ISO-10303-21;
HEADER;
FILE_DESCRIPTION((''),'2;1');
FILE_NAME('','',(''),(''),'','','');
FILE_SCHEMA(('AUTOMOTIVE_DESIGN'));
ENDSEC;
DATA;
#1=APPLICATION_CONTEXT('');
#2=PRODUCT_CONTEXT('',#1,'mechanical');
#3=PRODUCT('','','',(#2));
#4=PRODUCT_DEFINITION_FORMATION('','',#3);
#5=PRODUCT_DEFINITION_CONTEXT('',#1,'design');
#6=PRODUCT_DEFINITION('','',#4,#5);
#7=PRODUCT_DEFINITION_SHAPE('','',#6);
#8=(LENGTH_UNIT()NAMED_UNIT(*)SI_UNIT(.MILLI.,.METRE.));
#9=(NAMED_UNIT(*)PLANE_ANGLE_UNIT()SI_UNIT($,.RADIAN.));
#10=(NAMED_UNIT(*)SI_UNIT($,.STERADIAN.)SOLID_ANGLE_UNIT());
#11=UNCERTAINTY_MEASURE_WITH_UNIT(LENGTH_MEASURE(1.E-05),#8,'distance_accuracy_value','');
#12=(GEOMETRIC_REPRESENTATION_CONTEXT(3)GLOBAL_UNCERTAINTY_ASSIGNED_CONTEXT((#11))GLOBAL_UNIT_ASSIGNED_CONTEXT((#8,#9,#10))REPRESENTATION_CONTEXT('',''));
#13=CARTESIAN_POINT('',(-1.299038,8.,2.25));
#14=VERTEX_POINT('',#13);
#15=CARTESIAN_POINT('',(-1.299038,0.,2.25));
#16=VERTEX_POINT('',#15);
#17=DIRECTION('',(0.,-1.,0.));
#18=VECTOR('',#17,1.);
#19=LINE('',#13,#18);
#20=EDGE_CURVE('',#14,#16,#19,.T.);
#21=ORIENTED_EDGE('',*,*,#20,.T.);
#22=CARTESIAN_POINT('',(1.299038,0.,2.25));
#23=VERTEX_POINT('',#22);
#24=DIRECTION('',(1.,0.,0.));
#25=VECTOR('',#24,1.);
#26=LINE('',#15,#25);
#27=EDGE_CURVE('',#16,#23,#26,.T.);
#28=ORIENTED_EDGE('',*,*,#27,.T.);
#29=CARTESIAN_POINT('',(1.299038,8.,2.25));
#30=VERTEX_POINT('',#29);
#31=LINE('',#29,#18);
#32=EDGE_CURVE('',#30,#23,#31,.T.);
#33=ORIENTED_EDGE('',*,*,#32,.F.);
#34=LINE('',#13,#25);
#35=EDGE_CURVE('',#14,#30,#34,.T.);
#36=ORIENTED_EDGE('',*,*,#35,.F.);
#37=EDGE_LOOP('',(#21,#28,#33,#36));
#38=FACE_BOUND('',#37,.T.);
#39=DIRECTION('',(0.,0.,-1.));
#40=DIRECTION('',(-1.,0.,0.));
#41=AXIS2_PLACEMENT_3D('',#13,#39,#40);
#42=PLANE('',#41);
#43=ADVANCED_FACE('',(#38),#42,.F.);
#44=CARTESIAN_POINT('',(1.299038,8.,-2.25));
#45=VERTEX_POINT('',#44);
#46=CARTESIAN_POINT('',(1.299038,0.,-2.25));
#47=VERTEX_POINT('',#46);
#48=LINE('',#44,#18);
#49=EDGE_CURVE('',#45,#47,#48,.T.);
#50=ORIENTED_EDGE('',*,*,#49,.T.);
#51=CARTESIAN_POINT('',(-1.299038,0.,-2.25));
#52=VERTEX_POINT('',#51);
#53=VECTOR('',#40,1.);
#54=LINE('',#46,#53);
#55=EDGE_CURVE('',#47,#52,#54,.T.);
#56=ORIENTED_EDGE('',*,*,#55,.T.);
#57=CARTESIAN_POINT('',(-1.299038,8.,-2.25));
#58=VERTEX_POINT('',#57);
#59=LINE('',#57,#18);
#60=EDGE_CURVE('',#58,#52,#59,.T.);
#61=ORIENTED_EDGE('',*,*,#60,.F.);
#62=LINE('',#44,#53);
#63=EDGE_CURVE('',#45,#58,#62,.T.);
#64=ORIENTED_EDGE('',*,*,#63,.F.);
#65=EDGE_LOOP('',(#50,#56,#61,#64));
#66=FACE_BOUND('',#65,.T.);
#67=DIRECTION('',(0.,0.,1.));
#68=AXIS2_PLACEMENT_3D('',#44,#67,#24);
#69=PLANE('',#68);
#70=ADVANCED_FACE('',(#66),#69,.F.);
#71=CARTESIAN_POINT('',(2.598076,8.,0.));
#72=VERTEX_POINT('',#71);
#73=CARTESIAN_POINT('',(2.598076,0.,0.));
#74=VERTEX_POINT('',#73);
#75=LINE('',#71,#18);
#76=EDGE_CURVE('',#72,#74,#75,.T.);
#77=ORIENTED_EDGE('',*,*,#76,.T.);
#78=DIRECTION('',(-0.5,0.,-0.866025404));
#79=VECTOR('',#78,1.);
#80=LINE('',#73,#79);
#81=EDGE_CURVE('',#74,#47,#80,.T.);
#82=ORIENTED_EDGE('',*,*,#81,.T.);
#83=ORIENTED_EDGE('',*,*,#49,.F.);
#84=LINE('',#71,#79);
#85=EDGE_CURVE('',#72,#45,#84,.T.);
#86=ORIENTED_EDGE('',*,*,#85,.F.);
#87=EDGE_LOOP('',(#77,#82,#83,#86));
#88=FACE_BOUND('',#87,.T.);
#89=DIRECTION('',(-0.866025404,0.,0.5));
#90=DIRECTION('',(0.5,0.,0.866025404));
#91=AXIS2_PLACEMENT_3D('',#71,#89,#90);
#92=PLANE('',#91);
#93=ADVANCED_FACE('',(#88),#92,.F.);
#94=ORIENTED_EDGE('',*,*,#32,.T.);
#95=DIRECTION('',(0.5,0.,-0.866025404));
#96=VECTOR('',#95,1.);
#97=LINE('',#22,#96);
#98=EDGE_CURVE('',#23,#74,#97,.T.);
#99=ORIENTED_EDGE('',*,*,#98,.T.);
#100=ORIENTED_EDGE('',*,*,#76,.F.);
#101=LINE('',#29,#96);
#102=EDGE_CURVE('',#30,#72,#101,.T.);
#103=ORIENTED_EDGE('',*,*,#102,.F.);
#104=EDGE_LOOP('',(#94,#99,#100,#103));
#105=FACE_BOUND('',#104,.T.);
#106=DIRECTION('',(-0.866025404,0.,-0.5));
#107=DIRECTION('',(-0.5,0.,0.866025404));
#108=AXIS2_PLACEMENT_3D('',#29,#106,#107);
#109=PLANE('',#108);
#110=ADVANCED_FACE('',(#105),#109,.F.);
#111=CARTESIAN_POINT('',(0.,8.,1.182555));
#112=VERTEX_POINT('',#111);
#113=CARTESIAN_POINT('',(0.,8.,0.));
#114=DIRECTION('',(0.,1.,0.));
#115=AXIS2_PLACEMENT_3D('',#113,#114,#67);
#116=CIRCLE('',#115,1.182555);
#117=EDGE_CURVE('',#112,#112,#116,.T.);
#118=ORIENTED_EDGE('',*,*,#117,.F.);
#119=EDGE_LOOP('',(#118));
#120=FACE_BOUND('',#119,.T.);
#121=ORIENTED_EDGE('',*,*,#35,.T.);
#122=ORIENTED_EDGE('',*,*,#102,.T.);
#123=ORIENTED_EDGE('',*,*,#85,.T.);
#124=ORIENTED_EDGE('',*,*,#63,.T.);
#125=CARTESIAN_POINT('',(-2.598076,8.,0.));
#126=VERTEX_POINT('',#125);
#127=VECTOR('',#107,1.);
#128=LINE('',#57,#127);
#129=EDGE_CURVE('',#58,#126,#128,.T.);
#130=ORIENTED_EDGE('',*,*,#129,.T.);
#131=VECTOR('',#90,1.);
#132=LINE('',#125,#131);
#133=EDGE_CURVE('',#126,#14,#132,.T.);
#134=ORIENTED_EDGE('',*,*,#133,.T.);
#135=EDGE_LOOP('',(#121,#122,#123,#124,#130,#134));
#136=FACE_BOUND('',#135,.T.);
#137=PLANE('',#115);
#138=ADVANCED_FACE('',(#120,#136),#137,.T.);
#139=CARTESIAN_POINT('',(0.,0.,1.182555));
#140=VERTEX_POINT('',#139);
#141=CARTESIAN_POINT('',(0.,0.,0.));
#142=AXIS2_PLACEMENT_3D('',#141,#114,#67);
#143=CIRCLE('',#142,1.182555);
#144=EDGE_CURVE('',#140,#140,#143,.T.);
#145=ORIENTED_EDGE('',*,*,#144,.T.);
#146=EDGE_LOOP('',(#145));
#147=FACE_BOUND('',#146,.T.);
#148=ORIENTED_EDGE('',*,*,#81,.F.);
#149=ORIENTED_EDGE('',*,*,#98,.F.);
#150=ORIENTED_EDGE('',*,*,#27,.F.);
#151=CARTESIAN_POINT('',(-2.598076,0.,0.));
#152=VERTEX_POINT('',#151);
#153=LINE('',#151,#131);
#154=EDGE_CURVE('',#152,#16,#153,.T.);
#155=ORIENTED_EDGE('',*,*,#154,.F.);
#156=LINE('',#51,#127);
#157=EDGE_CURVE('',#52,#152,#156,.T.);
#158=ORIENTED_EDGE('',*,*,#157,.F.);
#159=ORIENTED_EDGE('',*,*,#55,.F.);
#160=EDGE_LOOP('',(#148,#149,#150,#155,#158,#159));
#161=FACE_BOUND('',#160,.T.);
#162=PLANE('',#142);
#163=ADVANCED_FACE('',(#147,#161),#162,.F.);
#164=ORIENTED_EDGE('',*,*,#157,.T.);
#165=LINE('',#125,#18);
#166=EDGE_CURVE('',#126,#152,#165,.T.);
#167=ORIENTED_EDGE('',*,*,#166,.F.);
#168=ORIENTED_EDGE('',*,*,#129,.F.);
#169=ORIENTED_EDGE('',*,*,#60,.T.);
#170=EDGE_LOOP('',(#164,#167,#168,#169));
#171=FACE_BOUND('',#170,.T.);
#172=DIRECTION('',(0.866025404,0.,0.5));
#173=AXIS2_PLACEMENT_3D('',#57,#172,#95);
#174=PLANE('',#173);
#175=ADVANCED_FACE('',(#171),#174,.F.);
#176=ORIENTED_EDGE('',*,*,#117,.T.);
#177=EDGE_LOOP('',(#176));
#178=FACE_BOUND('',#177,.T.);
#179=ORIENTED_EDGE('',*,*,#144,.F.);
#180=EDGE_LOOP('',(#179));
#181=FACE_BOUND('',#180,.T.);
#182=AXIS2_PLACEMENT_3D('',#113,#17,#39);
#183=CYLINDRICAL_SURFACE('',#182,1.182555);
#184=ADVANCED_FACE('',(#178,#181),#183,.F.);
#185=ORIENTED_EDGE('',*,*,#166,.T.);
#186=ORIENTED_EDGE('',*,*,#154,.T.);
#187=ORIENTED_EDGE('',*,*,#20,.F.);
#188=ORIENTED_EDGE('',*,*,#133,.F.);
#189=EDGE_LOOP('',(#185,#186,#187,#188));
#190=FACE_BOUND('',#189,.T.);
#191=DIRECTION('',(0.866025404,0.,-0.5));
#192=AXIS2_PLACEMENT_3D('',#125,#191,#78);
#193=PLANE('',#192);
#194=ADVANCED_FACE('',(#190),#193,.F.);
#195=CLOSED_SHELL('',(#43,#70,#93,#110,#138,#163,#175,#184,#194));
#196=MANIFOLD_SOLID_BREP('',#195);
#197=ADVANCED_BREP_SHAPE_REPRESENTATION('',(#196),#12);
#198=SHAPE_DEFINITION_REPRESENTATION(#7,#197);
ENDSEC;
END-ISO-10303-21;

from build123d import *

# Parameters (mm, degrees)
SKETCH1_R           = 1.182555259
BOSS_EXTRUDE1_DEPTH = 8


with BuildPart() as part:
    # Sketch1 → Boss-Extrude1 (new body)
    with BuildSketch(Plane(origin=(0, 0, 0), x_dir=(1, 0, 0), z_dir=(0, 1, 0))):
        Polygon((2.598076211, 0), (1.299038106, 2.25), (-1.299038106, 2.25), (-2.598076211, 0), (-1.299038106, -2.25), (1.299038106, -2.25), align=None)
        Circle(SKETCH1_R, mode=Mode.SUBTRACT)
    extrude(amount=BOSS_EXTRUDE1_DEPTH)


solid = part.part
